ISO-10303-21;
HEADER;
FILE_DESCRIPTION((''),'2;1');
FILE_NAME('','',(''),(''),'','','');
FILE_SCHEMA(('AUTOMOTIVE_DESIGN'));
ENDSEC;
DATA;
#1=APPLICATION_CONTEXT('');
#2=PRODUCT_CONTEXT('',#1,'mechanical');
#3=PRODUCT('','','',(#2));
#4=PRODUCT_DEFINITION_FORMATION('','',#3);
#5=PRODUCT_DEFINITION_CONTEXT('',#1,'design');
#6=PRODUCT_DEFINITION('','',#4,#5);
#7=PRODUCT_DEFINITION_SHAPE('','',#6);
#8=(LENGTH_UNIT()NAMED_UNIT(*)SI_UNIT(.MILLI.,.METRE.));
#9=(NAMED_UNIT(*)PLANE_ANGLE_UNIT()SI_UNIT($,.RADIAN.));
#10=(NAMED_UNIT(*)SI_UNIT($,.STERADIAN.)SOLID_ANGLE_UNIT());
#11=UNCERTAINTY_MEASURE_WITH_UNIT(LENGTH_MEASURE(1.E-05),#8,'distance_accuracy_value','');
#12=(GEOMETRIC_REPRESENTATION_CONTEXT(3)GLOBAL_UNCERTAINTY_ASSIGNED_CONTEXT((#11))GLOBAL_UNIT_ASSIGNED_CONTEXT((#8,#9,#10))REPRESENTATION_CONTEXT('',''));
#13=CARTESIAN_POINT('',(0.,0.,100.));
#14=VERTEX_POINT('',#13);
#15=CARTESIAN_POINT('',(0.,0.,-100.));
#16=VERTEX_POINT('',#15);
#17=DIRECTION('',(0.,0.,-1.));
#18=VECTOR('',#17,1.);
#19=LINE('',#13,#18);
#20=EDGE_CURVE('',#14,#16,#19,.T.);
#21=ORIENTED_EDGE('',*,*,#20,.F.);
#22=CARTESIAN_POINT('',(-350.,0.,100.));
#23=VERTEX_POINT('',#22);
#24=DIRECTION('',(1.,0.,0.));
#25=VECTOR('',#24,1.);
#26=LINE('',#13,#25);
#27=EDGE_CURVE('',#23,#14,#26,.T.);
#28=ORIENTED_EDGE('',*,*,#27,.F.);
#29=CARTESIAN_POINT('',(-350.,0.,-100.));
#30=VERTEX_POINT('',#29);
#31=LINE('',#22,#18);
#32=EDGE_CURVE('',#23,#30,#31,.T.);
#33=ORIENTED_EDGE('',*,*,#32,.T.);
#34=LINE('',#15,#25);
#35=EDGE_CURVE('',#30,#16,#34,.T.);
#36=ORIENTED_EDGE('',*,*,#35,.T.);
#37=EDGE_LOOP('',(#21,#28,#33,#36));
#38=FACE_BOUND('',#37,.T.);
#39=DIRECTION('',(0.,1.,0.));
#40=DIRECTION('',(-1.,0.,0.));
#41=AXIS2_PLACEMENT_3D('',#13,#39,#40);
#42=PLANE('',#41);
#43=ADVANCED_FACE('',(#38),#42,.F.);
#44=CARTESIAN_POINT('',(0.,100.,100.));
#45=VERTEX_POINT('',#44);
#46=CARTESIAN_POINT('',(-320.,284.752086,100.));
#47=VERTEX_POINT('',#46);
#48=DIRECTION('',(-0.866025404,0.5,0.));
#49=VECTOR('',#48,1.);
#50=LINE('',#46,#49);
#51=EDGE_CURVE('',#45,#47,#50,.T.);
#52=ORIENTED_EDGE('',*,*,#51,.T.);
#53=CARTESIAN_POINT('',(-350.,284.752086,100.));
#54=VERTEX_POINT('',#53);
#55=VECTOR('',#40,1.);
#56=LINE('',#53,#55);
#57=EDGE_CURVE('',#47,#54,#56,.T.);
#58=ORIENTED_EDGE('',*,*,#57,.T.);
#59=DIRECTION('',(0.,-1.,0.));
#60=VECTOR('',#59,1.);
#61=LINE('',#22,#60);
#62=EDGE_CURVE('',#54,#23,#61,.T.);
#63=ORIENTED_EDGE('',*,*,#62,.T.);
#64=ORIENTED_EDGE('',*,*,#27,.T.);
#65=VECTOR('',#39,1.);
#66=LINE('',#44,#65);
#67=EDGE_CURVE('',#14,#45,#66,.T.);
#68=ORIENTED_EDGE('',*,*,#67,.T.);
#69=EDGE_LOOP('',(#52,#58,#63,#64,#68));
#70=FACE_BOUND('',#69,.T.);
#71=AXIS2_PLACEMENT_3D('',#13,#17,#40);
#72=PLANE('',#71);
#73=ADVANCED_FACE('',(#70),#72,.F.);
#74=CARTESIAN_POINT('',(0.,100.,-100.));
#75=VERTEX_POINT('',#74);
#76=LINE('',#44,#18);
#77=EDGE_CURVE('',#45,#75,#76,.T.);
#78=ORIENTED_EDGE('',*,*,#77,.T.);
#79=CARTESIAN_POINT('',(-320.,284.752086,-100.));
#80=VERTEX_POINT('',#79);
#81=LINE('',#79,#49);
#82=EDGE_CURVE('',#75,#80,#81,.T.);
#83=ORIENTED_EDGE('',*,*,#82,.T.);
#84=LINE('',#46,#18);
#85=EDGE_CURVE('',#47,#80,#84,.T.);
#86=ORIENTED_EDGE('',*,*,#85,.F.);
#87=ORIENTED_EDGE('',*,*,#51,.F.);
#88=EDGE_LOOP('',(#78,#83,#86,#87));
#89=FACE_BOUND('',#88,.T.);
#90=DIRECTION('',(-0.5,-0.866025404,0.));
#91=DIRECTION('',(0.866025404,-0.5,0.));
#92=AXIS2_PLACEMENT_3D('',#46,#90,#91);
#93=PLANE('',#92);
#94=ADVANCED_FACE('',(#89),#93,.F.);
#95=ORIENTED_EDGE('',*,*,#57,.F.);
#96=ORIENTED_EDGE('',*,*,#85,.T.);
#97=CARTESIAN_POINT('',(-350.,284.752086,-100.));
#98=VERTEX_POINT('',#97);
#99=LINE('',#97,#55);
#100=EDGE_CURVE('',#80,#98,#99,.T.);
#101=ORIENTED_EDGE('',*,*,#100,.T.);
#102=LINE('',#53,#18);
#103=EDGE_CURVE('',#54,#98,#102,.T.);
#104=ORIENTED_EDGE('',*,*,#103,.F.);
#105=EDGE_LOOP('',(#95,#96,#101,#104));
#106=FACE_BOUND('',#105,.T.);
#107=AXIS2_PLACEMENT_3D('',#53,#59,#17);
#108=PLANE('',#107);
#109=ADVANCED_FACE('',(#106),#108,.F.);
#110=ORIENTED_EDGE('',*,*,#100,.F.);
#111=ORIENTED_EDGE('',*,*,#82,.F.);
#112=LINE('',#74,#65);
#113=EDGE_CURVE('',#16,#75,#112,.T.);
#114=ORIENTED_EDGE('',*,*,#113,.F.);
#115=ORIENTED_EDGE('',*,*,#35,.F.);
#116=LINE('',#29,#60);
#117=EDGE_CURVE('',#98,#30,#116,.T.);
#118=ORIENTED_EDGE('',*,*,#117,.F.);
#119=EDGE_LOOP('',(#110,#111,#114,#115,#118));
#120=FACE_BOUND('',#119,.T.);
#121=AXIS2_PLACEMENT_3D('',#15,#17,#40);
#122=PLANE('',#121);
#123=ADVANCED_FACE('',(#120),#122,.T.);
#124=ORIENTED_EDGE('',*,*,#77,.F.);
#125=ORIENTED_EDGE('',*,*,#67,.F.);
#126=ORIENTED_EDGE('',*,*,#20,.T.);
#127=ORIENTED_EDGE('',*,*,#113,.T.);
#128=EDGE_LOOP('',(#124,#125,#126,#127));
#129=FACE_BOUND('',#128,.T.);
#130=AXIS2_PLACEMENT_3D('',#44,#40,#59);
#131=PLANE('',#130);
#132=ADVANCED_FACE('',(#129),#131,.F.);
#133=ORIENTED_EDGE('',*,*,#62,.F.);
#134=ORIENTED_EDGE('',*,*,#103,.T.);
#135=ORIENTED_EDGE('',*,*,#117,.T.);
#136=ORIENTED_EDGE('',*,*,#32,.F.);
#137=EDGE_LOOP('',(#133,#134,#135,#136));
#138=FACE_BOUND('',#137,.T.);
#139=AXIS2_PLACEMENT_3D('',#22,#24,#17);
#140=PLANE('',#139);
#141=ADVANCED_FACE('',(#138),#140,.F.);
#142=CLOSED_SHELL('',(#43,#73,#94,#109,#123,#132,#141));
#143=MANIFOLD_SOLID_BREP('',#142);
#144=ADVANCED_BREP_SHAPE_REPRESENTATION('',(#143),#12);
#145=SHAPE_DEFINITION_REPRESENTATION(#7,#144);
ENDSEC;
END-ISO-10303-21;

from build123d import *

# Parameters (mm, degrees)
BOSS_EXTRUDE1_DEPTH = 100


with BuildPart() as part:
    # Sketch1 → Boss-Extrude1 (new, symmetric)
    with BuildSketch(Plane.XY):
        Polygon((0, 0), (-350, 0), (-350, 284.752086141), (-320, 284.752086141), (0, 100), align=None)
    extrude(amount=BOSS_EXTRUDE1_DEPTH, both=True)


solid = part.part
